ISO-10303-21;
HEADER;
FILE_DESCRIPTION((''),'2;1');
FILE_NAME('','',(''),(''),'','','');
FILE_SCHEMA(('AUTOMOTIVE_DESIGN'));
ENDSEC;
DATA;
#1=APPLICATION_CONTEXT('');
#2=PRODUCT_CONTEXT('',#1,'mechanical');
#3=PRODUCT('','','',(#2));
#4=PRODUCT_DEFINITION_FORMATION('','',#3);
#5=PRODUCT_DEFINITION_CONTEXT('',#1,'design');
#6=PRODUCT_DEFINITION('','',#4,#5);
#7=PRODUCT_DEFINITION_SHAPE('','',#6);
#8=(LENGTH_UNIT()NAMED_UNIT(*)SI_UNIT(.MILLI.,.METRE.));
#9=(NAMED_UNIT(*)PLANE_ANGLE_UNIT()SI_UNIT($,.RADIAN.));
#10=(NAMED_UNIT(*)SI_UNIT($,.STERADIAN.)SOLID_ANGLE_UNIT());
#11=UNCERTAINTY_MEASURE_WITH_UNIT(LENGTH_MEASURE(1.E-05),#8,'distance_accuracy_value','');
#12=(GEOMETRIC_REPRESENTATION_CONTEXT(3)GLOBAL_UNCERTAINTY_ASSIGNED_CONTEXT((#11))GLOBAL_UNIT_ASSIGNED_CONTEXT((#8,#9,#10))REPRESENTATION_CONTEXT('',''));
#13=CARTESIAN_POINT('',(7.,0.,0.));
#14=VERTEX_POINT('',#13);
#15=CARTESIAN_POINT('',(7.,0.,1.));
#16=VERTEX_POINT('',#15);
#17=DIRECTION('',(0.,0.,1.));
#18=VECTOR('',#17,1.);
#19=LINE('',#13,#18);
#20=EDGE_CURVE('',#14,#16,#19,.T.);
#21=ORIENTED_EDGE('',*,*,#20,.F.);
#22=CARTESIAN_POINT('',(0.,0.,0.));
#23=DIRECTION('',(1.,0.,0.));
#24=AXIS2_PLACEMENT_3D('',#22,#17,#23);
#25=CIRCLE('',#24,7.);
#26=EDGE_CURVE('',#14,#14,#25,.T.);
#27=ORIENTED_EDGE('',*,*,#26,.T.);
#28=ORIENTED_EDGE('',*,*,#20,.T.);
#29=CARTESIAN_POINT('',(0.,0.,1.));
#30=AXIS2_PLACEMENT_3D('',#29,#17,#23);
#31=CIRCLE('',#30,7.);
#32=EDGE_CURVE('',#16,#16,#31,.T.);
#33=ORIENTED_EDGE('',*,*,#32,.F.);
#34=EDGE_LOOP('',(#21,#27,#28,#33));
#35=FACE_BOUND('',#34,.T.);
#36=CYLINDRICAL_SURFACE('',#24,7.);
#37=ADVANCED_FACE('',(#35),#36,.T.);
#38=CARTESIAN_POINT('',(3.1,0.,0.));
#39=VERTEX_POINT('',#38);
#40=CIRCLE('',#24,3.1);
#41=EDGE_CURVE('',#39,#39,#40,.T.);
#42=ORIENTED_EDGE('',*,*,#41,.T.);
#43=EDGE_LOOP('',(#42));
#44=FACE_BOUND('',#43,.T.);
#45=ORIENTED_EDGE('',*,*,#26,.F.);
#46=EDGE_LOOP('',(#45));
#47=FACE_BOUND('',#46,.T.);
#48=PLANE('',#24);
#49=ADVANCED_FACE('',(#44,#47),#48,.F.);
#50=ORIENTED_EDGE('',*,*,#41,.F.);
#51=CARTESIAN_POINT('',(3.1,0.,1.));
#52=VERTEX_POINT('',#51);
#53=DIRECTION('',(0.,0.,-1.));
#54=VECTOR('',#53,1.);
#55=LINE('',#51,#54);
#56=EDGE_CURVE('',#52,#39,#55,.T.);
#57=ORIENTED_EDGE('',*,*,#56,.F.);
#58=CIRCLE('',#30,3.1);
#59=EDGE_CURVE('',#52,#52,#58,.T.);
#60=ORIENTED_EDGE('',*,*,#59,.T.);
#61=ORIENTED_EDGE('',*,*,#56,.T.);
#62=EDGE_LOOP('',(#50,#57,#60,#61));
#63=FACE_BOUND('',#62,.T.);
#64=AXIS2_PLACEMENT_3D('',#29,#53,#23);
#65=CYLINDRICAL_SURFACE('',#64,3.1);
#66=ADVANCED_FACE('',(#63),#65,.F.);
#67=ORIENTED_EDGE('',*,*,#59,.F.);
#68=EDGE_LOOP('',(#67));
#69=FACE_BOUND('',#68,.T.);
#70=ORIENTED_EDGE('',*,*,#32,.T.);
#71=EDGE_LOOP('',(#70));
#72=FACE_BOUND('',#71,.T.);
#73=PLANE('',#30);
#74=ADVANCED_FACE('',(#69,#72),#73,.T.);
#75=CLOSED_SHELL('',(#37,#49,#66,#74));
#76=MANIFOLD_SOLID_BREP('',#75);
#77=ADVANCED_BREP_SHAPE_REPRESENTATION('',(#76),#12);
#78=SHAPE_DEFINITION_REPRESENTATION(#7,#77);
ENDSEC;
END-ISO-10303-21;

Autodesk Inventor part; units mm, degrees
ref_plane "YZ Plane" through (0, 0, 0) normal (1, 0, 0) x (0, 1, 0)
ref_plane "XZ Plane" through (0, 0, 0) normal (0, 1, 0) x (-1, 0, 0)
ref_plane "XY Plane" through (0, 0, 0) normal (0, 0, 1) x (1, 0, 0)
sketch "Sketch1" plane through (0, 0, 0) normal (0, 1, 0) x (-1, 0, 0)
  line L0 (0, 0) -> (0, 1)
  line L1 (-3.1, 1) -> (-3.1, 0)
  line L2 (-3.1, 0) -> (-7, 0)
  line L3 (-7, 0) -> (-7, 1)
  line L4 (-7, 1) -> (-3.1, 1)
  dimension "InsideDiameter" = 6.2
  dimension "OuterDiameter" = 14
  dimension "Thickness" = 1
revolve "Revolution1" add sketch "Sketch1" angle 360 about axis through (0, 0, 0) along (0, 0, 1)
properties part number "UUW-0614-10H" material "Stainless Steel AISI 304"
